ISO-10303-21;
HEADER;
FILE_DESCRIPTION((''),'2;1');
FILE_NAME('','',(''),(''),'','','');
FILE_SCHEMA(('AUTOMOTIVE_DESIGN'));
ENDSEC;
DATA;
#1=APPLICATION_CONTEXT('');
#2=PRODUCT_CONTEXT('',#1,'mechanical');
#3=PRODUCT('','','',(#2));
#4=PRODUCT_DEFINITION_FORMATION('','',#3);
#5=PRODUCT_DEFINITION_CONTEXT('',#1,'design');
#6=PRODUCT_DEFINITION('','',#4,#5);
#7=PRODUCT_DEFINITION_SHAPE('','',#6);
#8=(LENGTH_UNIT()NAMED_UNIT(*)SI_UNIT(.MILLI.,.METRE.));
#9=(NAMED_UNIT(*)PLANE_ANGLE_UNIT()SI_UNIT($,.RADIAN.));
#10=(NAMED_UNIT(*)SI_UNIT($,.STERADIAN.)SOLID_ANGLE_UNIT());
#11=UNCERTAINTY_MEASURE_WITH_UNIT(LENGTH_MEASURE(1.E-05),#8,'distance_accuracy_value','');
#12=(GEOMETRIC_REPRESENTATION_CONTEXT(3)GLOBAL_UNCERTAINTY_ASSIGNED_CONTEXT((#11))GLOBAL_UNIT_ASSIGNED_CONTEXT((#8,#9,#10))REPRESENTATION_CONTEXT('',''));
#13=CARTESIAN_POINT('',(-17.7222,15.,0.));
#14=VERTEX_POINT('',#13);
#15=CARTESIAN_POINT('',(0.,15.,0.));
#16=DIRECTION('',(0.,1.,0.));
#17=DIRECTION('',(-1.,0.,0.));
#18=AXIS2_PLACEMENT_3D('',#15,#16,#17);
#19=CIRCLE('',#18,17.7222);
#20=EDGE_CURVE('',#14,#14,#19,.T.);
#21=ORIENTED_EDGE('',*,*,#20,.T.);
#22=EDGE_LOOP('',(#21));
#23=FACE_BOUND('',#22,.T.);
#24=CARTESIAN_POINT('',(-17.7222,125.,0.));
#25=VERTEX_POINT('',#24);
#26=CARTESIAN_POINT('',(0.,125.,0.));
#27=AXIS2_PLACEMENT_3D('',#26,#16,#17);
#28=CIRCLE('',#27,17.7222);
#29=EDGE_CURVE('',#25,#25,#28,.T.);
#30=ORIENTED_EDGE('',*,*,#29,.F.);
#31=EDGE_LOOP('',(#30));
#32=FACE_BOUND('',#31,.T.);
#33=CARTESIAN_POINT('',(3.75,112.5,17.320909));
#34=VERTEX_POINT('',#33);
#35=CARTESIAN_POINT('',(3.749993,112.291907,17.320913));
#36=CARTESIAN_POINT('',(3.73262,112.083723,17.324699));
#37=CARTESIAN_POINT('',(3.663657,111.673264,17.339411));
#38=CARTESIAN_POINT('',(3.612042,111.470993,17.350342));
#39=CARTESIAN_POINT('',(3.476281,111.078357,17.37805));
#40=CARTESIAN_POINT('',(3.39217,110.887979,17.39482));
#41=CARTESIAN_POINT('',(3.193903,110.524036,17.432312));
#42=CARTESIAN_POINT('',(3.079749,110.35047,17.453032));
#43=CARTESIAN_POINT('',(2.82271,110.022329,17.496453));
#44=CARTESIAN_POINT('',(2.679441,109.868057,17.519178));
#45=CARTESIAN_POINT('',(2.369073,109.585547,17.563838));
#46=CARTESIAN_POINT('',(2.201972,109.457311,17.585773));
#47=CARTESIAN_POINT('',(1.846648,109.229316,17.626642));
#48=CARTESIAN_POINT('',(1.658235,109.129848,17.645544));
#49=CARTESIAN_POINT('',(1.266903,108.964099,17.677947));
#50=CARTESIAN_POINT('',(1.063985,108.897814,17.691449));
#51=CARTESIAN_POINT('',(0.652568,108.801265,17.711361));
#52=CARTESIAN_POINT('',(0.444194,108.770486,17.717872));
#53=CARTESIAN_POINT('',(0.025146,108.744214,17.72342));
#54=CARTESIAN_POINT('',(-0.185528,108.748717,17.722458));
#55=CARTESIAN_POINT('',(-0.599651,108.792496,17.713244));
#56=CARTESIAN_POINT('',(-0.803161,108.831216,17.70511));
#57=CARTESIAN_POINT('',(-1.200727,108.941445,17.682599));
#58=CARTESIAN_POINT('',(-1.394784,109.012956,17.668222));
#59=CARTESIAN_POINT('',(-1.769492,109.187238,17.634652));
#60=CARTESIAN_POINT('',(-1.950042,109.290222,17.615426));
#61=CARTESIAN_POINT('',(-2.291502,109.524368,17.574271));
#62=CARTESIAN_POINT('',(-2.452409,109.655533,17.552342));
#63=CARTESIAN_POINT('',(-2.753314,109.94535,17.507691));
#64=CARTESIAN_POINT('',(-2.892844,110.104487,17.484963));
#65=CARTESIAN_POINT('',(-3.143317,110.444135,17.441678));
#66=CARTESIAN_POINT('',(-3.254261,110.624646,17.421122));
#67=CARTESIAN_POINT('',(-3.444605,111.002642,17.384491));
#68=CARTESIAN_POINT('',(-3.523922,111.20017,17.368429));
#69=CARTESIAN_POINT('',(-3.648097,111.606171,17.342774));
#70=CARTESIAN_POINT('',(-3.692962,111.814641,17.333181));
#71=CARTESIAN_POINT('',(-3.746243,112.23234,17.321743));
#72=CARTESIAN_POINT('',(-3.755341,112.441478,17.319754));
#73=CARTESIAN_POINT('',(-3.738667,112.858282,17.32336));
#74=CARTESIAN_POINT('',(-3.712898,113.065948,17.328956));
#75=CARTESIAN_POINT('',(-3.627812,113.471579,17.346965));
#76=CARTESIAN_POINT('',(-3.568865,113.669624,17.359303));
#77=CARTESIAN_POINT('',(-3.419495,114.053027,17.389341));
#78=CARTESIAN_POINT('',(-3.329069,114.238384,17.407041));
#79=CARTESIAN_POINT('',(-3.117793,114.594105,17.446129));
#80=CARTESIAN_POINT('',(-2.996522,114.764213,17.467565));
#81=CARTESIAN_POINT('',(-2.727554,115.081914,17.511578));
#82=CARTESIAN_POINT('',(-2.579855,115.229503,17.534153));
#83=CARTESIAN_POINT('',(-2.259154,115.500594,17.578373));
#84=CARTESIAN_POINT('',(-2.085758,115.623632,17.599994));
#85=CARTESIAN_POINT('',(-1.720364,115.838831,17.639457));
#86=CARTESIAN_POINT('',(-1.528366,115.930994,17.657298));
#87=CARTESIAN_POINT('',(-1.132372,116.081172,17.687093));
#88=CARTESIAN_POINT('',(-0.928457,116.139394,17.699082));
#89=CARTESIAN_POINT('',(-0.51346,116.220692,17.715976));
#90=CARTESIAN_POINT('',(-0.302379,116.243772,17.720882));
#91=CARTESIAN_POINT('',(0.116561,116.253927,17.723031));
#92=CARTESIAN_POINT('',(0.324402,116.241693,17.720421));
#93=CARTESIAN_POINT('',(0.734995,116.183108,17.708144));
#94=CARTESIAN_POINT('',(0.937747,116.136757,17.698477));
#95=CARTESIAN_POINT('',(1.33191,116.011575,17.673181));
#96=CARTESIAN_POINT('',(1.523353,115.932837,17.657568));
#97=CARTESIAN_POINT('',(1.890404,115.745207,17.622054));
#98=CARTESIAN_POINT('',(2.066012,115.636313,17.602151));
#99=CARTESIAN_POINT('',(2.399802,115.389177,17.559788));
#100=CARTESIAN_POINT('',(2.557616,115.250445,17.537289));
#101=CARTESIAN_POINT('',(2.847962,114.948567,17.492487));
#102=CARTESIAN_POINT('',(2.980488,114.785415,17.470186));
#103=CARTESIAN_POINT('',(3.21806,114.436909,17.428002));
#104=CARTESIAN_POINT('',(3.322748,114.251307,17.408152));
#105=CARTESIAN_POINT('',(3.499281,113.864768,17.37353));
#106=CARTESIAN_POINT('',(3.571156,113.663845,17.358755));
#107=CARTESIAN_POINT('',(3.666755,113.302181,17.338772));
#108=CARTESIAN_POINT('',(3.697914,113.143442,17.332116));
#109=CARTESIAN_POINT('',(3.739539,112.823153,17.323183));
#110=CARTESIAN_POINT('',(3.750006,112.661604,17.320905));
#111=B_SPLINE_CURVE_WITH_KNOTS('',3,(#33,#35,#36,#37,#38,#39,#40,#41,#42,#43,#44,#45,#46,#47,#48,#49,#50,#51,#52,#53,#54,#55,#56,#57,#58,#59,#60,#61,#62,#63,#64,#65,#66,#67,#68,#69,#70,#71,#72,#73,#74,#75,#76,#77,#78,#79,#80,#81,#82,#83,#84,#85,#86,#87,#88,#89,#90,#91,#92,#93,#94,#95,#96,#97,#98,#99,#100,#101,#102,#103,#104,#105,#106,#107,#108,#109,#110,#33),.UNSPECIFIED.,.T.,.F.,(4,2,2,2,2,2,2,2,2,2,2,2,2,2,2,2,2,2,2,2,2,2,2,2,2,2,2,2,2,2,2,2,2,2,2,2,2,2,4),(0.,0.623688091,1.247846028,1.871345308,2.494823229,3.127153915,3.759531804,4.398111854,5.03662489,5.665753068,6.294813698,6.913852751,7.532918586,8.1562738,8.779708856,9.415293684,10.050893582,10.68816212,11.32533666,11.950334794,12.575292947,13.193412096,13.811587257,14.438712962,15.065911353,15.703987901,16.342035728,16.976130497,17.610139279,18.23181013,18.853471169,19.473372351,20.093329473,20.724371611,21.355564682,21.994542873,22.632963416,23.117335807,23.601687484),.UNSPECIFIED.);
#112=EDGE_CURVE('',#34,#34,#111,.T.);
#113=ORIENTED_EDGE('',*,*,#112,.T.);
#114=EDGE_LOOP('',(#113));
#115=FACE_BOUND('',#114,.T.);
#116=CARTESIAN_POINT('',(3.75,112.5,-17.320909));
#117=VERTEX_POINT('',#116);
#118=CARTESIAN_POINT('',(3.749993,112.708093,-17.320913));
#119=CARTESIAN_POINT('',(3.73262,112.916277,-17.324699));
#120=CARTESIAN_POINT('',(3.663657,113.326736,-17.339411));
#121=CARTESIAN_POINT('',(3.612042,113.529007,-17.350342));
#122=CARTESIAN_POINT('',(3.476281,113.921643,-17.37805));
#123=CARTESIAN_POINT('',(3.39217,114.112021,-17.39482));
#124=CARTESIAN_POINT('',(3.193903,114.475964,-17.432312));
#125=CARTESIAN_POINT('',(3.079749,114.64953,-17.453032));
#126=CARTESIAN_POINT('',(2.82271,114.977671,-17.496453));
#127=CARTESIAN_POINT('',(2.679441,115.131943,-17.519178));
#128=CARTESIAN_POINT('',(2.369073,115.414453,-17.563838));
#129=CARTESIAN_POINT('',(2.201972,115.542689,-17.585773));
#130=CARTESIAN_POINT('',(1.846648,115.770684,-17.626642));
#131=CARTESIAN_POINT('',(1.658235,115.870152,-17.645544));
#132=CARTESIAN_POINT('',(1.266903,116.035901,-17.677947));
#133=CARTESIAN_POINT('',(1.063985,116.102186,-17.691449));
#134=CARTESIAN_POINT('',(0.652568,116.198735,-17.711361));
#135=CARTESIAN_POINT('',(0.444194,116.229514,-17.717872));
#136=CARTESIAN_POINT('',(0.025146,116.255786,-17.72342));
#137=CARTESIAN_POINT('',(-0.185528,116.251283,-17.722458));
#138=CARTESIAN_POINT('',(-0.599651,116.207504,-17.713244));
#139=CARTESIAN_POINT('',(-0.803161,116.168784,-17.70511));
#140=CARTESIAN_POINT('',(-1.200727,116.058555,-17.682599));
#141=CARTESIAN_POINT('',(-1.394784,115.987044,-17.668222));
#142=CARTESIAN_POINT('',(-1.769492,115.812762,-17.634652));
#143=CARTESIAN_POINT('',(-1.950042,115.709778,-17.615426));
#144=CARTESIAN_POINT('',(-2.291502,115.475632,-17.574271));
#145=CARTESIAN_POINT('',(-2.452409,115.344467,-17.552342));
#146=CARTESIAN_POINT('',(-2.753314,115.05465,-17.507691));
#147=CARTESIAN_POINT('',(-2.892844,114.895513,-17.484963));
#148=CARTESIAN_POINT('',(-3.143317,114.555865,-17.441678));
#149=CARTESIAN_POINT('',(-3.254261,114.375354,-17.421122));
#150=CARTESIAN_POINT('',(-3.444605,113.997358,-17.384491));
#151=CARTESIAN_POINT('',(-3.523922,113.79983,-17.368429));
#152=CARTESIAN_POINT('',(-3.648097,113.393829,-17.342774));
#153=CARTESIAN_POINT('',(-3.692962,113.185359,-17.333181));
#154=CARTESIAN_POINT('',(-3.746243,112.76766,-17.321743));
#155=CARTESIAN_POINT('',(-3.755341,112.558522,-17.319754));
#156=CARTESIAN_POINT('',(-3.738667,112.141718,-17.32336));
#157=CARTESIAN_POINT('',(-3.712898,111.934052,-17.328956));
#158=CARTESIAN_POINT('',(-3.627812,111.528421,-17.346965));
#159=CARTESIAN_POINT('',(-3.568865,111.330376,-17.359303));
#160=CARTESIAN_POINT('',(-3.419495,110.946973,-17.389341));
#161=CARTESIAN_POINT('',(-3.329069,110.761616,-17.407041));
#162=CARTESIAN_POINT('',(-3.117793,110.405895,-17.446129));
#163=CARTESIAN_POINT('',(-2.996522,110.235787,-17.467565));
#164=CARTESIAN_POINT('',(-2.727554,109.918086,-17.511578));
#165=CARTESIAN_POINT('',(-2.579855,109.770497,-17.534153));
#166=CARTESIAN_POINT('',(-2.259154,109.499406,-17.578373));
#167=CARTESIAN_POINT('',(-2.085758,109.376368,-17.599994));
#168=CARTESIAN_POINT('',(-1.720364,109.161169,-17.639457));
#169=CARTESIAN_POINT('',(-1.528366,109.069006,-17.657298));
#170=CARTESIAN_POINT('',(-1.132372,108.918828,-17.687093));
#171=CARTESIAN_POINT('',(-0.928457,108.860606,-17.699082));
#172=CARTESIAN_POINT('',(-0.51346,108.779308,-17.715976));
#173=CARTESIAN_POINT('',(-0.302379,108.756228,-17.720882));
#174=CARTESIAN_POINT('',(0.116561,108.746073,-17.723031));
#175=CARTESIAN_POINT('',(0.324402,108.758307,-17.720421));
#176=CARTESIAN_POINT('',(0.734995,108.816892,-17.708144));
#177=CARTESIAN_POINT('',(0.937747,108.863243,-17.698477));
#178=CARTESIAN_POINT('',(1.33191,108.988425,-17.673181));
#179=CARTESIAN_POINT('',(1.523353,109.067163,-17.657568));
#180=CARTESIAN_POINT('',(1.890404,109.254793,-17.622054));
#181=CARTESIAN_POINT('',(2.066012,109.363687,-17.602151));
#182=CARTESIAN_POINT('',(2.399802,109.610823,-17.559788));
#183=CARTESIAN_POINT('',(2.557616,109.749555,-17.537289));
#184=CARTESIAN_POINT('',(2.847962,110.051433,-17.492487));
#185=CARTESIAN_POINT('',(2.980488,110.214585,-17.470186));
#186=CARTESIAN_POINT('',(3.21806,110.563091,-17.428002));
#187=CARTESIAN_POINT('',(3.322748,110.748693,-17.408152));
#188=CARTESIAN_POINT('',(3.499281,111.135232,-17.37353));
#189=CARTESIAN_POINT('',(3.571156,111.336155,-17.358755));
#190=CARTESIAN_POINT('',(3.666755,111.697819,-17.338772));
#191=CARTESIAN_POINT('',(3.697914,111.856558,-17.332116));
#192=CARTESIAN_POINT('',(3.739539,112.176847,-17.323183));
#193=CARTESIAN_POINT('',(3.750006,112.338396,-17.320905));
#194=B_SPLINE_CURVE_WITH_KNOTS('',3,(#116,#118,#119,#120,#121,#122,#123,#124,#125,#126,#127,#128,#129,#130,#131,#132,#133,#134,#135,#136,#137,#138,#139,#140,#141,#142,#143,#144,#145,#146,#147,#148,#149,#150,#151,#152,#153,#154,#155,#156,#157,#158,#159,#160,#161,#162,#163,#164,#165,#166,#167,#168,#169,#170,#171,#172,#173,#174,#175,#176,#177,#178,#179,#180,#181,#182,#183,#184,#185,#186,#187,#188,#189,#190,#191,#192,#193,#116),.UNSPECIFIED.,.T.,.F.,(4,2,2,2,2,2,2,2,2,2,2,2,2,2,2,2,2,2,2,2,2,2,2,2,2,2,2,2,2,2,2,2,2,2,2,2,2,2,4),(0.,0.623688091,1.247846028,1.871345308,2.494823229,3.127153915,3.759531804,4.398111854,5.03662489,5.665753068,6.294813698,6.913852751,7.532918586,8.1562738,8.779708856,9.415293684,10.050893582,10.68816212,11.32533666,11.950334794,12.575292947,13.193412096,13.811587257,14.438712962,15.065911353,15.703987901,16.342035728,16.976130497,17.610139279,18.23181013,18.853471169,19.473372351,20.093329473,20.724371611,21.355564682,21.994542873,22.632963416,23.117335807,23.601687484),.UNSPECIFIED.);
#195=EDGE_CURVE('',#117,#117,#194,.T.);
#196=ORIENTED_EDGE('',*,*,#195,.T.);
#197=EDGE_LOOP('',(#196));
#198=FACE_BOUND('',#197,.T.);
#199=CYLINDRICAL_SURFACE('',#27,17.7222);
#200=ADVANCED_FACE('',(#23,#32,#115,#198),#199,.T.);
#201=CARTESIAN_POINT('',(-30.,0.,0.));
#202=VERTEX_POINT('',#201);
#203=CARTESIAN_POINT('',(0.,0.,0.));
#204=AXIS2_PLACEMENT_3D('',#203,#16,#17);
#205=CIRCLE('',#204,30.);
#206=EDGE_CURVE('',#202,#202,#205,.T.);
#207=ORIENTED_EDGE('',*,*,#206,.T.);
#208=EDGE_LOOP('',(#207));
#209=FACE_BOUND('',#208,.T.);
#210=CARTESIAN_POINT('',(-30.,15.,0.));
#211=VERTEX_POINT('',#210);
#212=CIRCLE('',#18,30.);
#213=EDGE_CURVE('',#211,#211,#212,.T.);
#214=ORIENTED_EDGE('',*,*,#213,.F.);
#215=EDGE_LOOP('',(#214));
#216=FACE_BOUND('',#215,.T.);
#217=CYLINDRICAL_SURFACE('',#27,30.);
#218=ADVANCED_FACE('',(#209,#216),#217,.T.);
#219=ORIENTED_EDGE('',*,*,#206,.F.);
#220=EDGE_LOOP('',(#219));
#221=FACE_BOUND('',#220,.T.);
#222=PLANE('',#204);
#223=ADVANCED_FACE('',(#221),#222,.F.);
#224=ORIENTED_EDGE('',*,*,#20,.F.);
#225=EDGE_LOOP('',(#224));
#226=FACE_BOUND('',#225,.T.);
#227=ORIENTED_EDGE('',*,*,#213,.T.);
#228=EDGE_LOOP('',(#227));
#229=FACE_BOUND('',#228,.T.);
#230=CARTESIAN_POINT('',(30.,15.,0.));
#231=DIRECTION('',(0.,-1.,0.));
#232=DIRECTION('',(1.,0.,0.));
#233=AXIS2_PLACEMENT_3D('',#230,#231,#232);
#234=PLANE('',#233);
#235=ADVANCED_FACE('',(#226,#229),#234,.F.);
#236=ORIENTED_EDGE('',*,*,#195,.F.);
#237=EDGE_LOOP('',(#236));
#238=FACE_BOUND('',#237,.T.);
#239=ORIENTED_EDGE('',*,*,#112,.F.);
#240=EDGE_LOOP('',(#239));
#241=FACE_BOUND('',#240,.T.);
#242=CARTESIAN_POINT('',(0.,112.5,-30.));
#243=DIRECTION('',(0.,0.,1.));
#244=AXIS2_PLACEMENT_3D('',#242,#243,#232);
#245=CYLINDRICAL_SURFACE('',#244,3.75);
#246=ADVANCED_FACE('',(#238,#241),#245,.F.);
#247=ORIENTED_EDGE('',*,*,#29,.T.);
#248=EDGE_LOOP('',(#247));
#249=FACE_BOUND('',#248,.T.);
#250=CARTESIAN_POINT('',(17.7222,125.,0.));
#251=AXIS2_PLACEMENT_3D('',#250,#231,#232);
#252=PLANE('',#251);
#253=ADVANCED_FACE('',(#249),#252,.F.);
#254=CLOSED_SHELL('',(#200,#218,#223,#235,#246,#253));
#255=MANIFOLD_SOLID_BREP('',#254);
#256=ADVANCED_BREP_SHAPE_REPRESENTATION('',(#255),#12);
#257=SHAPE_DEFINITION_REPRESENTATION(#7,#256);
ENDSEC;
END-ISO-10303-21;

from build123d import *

# Parameters (mm, degrees)
SKETCH3_R               = 3.75
CUT_EXTRUDE1_DEPTH      = 31
CUT_EXTRUDE1_DEPTH_BACK = 31


with BuildPart() as part:
    # Sketch2 → Revolve1 (revolve)
    with BuildSketch(Plane.XY):
        Polygon((0, 0), (30, 0), (30, 15), (17.7222, 15), (17.7222, 125), (0, 125), align=None)
    revolve(axis=Axis((0, 125, 0), (0, -1, 0)))

    # Sketch3 → Cut-Extrude1 (cut, two sides)
    with BuildSketch(Plane.XY) as cut_extrude1_sk:
        with Locations((0, 112.5)):
            Circle(SKETCH3_R)
    extrude(amount=CUT_EXTRUDE1_DEPTH, mode=Mode.SUBTRACT)
    extrude(cut_extrude1_sk.sketch, amount=-CUT_EXTRUDE1_DEPTH_BACK, mode=Mode.SUBTRACT)


solid = part.part
